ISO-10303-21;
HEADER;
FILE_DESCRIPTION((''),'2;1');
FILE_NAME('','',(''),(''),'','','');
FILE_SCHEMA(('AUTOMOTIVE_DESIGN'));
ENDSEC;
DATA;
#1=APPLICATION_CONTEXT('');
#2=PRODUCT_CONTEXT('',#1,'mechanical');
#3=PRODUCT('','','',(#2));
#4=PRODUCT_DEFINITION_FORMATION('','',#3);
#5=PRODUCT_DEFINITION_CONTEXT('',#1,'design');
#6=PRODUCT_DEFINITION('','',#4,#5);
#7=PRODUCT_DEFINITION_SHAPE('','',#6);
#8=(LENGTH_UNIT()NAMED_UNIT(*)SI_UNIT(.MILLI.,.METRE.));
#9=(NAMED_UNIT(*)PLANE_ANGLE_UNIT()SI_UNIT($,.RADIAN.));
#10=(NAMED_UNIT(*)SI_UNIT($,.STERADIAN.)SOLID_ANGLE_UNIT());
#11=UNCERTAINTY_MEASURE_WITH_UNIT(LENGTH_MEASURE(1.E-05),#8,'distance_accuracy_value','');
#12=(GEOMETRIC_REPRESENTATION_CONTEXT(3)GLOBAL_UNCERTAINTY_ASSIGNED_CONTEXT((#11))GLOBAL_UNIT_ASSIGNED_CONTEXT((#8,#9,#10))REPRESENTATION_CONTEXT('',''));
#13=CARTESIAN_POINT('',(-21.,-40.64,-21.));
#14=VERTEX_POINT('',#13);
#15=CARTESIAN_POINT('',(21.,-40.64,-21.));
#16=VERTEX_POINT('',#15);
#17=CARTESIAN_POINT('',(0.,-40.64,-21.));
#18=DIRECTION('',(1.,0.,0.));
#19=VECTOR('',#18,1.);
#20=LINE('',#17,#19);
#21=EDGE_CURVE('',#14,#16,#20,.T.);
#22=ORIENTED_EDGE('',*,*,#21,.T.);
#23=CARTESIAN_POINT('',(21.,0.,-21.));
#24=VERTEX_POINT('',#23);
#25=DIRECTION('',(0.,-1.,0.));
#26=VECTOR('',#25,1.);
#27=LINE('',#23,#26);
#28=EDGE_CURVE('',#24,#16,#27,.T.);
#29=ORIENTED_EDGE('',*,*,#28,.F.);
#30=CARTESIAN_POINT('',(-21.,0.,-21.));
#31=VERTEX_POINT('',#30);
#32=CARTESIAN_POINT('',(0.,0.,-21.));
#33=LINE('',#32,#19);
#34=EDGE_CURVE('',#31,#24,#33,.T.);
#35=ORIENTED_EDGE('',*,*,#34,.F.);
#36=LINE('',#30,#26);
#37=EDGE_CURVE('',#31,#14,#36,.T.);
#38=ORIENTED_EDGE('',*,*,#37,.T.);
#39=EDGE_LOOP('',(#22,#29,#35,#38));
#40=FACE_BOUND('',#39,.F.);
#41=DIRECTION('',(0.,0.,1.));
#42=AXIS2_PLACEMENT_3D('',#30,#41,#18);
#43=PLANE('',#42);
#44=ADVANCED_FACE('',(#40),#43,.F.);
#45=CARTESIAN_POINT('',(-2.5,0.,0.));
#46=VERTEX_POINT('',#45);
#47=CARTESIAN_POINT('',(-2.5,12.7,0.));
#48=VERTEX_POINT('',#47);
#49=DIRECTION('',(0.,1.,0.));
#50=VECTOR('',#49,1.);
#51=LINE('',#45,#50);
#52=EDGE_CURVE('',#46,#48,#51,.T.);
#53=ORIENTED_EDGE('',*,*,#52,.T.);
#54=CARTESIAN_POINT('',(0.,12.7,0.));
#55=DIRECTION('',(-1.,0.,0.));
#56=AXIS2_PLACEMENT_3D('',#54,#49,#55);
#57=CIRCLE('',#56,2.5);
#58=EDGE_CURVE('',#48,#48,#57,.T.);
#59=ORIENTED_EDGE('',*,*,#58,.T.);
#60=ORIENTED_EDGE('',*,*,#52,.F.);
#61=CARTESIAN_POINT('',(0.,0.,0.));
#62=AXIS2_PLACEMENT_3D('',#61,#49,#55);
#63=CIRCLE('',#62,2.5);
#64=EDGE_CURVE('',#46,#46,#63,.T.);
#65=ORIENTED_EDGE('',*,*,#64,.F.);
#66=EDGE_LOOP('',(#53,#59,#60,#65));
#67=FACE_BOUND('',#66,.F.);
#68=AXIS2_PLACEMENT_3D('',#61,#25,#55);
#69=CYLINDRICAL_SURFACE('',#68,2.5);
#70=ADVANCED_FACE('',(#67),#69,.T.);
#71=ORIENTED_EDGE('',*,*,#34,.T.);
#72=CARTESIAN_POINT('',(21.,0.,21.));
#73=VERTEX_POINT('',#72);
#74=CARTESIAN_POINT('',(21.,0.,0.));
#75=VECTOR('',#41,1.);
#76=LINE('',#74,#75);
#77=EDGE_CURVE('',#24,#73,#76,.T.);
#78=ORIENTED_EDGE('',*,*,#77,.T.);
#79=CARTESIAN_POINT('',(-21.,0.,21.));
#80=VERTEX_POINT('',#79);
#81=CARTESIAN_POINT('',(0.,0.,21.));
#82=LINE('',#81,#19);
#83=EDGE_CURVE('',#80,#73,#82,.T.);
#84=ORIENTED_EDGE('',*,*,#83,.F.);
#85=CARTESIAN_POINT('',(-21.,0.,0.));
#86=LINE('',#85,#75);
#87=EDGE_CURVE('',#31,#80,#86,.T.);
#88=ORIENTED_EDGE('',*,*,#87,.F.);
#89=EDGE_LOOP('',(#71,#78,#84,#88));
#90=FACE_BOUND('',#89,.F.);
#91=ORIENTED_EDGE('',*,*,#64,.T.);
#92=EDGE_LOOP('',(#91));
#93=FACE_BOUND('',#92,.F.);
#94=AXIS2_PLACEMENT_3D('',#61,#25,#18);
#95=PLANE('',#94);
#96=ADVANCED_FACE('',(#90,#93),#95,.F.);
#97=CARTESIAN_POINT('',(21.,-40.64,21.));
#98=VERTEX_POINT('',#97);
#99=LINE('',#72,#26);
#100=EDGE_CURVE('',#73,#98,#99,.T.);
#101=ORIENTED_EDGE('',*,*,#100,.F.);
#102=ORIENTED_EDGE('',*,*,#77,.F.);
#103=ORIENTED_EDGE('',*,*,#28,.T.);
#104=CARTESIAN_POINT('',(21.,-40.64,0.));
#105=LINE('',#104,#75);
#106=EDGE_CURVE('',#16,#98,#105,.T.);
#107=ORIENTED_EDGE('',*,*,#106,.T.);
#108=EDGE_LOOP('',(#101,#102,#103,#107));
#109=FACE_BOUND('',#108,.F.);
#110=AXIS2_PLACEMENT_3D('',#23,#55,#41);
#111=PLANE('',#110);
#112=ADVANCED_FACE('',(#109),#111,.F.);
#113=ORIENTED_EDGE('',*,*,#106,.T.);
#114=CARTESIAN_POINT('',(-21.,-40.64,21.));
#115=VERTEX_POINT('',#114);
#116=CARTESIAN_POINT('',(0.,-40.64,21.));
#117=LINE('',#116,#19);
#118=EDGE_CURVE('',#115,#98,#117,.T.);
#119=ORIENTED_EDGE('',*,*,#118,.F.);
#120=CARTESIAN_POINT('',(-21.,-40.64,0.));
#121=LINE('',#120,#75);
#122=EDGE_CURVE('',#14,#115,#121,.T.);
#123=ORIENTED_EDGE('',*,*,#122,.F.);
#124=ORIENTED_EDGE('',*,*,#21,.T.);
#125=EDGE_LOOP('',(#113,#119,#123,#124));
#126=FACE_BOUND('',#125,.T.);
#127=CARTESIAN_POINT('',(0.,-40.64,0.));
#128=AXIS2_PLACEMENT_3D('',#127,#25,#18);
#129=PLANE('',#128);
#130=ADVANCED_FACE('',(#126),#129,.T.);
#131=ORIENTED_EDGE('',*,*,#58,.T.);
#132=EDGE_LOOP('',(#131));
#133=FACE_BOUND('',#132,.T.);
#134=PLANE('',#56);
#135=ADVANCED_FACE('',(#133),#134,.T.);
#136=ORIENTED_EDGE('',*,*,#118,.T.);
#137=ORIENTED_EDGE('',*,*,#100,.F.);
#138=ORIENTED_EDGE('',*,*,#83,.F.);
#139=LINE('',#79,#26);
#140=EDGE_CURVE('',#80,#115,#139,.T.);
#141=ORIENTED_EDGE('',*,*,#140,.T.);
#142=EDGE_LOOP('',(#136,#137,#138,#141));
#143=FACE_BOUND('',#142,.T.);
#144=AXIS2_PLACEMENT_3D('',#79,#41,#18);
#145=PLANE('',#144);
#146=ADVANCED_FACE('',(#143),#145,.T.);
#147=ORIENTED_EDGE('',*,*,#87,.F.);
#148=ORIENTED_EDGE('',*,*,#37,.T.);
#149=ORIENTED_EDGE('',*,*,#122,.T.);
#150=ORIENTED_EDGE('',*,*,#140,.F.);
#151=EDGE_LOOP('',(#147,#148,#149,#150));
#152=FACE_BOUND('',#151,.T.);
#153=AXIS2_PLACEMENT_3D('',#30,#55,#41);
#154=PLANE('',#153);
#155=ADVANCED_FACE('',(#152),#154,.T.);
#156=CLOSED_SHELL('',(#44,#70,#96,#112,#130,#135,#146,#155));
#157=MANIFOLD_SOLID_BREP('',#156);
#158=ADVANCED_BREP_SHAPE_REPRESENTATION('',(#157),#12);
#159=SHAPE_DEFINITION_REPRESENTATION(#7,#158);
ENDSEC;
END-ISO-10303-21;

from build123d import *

# Parameters (mm, degrees)
F0_W     = 42
F0_H     = 42
F1_DEPTH = 40.64
F2_R     = 2.5
F3_DEPTH = 12.7


with BuildPart() as f1:
    # F0 (on Front) → F1 (new body)
    with BuildSketch(Plane.XZ):
        Rectangle(F0_W, F0_H)
    extrude(amount=F1_DEPTH)

    # F2 (on face) → F3 (join)
    with BuildSketch(Plane(origin=(0, 0, 0), x_dir=(-1, 0, 0), z_dir=(0, 1, 0))):
        Circle(F2_R)
    extrude(amount=F3_DEPTH)


solid = f1.part
